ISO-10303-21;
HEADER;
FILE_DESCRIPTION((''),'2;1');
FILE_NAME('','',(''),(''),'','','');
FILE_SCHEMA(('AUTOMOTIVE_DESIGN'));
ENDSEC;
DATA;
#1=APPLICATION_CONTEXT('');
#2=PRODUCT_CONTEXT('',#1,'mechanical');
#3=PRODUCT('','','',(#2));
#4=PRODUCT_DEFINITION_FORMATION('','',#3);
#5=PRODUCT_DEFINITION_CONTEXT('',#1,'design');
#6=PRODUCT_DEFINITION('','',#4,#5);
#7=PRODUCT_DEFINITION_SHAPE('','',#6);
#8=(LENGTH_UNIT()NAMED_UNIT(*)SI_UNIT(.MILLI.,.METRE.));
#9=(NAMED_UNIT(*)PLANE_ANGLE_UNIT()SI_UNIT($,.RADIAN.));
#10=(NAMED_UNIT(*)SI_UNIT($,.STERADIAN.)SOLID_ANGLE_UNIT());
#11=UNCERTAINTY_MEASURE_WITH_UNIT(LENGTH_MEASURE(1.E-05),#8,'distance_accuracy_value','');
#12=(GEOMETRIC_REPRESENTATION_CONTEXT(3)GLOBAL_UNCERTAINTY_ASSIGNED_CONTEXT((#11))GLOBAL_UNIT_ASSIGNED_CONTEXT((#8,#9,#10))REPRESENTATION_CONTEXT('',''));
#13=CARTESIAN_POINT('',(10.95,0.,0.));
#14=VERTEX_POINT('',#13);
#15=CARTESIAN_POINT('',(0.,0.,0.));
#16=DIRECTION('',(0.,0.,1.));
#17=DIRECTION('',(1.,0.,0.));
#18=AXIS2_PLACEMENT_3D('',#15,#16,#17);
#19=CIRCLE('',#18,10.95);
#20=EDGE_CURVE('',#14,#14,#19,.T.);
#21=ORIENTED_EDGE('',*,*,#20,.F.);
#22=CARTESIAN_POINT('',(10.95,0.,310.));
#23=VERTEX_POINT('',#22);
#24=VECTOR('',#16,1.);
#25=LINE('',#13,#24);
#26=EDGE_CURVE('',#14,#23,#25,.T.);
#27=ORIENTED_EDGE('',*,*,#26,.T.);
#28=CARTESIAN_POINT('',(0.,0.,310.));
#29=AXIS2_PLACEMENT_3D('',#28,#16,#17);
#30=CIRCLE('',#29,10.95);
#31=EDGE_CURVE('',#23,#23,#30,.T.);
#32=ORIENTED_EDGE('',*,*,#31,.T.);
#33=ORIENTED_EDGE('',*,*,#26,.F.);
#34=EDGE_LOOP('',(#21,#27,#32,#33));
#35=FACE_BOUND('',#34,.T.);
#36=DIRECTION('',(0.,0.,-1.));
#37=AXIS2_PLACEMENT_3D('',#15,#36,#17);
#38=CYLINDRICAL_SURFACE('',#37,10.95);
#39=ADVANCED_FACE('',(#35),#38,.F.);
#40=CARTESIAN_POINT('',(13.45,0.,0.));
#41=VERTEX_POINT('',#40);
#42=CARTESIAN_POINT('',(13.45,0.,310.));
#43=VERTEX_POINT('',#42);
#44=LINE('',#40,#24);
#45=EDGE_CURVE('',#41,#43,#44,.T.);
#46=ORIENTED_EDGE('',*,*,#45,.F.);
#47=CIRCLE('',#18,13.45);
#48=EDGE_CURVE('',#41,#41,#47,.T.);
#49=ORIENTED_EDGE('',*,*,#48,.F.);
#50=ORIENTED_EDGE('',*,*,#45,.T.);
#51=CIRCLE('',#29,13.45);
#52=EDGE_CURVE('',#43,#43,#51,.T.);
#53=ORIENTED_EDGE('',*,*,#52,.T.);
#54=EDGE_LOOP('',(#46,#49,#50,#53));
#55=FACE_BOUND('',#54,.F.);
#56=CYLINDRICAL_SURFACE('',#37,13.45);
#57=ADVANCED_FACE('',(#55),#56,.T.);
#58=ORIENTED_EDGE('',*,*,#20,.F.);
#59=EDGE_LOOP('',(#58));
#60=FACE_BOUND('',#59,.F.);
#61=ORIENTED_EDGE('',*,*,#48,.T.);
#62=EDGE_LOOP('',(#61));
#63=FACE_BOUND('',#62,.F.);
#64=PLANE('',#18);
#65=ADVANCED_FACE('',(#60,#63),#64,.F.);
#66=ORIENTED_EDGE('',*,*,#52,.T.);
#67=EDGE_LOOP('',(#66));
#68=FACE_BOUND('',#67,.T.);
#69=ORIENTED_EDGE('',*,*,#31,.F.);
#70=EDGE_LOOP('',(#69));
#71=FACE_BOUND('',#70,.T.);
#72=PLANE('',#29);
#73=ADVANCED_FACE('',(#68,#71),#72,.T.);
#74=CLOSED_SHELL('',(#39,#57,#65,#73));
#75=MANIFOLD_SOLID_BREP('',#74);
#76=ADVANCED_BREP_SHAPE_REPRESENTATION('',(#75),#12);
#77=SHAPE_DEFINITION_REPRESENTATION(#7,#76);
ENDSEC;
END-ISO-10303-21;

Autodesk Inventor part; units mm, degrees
ref_plane "YZ Plane" through (0, 0, 0) normal (1, 0, 0) x (0, 1, 0)
ref_plane "Start Plane" through (0, 0, 0) normal (0, 0, 1) x (1, 0, 0)
ref_plane "End Plane" through (0, 0, 310) normal (0, 0, 1) x (1, 0, 0)
sketch "Sketch" plane through (0, 0, 0) normal (0, 0, 1) x (1, 0, 0)
  circle A0 centre (0, 0) radius 10.95
  circle A1 centre (0, 0) radius 13.45
  dimension "d0" = 26.9
  dimension "d1" = 2.5
extrude "Body" add sketch "Sketch" along normal up to surface (310 mm away) from surface at 0
sketch "Sketch3" plane through (0, 0, 0) normal (0, 0, 1) x (1, 0, 0)
  line L0 (0, 0) -> (10, 0)
ref_plane "Work Plane3" through (0, 0, 0) normal (0, -1, 0) x (1, 0, 0)
sketch "Sketch4" plane through (0, 0, 0) normal (0, -1, 0) x (1, 0, 0)
  line L0 (-2, 0) -> (12, 0) projected
  line L1 (-2, 310) -> (12, 310) projected
  dimension "d7" = 310
equation "\"d0\" = G_H"
equation "\"d1\" = G_T"
equation "\"d2\" = G_L"
equation "\"G_H\" = 26.9"
equation "\"G_T\" = 2.5"
equation "\"G_L\" = d7"
equation "\"G_OFFSET_START\" = 0"
equation "\"G_OFFSET_END\" = 0"
properties part number "ISO 4019 - 26.9x2.5 - 310" material "Steel"
